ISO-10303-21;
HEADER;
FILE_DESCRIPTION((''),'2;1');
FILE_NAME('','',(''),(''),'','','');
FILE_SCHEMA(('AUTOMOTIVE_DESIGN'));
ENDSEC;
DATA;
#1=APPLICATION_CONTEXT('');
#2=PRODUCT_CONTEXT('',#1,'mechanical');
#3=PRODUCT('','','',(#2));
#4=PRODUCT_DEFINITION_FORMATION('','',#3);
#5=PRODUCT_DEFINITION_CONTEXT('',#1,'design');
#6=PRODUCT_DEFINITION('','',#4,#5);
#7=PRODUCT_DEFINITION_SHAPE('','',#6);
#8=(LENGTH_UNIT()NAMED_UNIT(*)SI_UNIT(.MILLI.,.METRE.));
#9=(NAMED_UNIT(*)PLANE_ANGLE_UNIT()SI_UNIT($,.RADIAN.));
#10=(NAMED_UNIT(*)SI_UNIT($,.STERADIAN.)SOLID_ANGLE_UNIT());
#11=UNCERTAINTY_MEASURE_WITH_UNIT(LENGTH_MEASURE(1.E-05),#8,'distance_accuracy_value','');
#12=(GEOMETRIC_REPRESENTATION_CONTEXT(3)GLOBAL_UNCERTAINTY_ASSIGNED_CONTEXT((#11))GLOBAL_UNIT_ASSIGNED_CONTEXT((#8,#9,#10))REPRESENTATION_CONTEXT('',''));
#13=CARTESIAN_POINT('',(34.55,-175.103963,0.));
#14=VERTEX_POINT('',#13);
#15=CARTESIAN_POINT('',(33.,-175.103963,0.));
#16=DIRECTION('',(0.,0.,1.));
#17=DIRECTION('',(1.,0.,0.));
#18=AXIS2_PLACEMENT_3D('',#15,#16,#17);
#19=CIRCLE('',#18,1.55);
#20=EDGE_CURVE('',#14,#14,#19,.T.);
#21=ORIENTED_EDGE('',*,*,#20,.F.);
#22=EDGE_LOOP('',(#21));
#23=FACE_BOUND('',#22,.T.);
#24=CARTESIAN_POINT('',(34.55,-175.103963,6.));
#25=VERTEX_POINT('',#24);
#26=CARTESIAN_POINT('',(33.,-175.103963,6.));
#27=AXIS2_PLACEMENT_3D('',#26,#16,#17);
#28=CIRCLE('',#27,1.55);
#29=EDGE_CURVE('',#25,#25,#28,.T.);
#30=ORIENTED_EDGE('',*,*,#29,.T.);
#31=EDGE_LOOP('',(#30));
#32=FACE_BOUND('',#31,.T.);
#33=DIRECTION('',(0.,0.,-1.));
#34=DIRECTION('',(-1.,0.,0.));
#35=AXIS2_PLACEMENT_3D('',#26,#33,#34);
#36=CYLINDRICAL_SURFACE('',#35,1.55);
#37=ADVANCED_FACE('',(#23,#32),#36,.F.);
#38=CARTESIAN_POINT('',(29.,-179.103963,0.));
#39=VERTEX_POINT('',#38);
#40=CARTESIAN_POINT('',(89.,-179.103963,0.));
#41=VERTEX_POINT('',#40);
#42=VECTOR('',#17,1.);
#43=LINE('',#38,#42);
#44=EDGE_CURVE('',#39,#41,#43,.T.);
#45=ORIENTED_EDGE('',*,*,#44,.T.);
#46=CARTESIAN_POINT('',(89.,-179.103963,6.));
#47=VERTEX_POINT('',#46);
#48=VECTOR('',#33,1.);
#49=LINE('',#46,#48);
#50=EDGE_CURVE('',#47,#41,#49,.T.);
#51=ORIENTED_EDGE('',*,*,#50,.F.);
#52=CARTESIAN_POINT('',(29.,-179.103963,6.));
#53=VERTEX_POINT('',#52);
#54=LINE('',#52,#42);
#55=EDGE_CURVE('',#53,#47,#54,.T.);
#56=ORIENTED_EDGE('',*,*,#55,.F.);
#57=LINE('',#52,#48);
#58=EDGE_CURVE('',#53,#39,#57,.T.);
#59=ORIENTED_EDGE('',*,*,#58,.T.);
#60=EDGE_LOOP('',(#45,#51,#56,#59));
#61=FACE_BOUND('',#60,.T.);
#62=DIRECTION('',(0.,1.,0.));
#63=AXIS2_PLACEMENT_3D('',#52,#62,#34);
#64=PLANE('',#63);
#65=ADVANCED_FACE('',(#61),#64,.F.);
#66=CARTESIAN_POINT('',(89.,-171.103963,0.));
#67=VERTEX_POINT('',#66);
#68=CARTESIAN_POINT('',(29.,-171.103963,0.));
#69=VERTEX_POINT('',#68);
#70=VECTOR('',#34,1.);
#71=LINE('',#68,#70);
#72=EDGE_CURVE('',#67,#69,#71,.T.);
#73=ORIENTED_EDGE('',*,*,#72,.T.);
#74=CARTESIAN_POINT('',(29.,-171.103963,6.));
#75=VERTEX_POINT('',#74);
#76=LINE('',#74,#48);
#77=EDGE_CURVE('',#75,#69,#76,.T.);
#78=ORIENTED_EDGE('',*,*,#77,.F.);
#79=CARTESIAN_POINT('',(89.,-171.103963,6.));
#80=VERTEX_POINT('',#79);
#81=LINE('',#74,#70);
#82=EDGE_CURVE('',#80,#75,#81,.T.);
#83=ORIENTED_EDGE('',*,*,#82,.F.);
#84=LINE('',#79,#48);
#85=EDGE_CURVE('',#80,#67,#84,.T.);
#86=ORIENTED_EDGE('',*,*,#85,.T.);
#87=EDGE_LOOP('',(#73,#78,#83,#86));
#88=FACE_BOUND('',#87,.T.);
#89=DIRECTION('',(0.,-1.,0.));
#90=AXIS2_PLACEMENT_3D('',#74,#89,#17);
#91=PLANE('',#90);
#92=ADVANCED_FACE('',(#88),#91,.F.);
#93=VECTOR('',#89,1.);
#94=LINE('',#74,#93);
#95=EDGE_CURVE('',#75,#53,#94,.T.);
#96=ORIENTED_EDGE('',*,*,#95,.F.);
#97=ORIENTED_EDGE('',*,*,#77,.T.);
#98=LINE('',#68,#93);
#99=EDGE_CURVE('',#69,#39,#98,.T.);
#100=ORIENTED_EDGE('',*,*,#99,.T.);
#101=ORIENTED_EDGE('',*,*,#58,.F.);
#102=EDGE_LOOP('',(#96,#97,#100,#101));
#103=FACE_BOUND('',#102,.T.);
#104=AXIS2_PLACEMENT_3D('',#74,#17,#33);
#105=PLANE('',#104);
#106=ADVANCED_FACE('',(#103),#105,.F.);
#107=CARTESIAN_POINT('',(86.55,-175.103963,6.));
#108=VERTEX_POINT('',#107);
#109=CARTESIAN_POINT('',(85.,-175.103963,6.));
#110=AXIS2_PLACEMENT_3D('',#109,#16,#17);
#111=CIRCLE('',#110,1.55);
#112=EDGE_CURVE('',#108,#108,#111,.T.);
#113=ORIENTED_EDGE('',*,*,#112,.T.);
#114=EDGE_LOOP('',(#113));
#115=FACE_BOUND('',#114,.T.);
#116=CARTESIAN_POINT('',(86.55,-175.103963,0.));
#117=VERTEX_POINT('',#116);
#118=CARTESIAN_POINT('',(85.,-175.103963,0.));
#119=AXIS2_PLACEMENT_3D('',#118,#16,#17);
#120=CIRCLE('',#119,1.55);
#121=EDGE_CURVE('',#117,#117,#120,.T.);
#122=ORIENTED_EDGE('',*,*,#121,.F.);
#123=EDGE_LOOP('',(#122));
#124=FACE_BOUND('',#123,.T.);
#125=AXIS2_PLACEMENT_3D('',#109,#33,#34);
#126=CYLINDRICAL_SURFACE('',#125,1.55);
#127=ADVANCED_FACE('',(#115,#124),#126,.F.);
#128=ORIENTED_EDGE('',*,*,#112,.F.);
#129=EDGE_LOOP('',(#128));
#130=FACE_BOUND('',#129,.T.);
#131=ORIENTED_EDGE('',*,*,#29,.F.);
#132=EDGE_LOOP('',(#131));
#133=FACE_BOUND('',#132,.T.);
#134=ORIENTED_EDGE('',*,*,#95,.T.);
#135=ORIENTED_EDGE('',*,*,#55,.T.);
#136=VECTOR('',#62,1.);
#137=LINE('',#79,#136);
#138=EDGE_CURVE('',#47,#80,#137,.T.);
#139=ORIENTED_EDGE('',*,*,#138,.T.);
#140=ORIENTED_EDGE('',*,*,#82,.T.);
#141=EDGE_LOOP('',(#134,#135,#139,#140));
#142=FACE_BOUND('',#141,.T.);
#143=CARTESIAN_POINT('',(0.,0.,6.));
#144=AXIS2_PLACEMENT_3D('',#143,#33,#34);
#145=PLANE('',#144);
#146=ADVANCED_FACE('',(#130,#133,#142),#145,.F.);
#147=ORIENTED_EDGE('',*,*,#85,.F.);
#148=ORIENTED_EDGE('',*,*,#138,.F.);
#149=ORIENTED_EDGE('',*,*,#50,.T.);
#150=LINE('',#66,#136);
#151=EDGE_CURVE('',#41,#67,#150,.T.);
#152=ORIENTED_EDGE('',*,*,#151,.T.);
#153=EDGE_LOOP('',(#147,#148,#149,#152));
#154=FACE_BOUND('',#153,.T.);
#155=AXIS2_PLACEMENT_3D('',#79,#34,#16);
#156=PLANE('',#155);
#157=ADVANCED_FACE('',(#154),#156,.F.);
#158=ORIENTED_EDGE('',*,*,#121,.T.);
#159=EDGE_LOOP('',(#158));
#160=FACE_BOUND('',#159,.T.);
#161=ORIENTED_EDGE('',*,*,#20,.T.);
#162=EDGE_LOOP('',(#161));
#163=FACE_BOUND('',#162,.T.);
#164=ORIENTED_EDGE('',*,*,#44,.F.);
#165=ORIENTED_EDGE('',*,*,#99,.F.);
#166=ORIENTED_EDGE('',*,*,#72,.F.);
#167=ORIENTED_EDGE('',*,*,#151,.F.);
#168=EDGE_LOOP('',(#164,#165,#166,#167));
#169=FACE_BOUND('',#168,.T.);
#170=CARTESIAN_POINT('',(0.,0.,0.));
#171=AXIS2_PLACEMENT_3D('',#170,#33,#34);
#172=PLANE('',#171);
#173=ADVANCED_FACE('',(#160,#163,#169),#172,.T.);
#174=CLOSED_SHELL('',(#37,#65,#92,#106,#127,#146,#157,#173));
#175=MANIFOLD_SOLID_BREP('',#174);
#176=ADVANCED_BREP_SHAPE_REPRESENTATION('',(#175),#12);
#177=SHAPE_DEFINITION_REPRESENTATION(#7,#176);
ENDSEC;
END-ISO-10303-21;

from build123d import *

# Parameters (mm, degrees)
SZKIC1_W                    = 60
SZKIC1_H                    = 8
SZKIC1_R                    = 1.55
DODANIE_WYCI_GNI_CIE1_DEPTH = 6


with BuildPart() as part:
    # Szkic1 → Dodanie-wyciągnięcie1 (new body)
    with BuildSketch(Plane.XY):
        with Locations((59, -175.103962956)):
            Rectangle(SZKIC1_W, SZKIC1_H)
        with Locations((85, -175.103962956)):
            Circle(SZKIC1_R, mode=Mode.SUBTRACT)
        with Locations((33, -175.103962956)):
            Circle(SZKIC1_R, mode=Mode.SUBTRACT)
    extrude(amount=DODANIE_WYCI_GNI_CIE1_DEPTH)


solid = part.part
